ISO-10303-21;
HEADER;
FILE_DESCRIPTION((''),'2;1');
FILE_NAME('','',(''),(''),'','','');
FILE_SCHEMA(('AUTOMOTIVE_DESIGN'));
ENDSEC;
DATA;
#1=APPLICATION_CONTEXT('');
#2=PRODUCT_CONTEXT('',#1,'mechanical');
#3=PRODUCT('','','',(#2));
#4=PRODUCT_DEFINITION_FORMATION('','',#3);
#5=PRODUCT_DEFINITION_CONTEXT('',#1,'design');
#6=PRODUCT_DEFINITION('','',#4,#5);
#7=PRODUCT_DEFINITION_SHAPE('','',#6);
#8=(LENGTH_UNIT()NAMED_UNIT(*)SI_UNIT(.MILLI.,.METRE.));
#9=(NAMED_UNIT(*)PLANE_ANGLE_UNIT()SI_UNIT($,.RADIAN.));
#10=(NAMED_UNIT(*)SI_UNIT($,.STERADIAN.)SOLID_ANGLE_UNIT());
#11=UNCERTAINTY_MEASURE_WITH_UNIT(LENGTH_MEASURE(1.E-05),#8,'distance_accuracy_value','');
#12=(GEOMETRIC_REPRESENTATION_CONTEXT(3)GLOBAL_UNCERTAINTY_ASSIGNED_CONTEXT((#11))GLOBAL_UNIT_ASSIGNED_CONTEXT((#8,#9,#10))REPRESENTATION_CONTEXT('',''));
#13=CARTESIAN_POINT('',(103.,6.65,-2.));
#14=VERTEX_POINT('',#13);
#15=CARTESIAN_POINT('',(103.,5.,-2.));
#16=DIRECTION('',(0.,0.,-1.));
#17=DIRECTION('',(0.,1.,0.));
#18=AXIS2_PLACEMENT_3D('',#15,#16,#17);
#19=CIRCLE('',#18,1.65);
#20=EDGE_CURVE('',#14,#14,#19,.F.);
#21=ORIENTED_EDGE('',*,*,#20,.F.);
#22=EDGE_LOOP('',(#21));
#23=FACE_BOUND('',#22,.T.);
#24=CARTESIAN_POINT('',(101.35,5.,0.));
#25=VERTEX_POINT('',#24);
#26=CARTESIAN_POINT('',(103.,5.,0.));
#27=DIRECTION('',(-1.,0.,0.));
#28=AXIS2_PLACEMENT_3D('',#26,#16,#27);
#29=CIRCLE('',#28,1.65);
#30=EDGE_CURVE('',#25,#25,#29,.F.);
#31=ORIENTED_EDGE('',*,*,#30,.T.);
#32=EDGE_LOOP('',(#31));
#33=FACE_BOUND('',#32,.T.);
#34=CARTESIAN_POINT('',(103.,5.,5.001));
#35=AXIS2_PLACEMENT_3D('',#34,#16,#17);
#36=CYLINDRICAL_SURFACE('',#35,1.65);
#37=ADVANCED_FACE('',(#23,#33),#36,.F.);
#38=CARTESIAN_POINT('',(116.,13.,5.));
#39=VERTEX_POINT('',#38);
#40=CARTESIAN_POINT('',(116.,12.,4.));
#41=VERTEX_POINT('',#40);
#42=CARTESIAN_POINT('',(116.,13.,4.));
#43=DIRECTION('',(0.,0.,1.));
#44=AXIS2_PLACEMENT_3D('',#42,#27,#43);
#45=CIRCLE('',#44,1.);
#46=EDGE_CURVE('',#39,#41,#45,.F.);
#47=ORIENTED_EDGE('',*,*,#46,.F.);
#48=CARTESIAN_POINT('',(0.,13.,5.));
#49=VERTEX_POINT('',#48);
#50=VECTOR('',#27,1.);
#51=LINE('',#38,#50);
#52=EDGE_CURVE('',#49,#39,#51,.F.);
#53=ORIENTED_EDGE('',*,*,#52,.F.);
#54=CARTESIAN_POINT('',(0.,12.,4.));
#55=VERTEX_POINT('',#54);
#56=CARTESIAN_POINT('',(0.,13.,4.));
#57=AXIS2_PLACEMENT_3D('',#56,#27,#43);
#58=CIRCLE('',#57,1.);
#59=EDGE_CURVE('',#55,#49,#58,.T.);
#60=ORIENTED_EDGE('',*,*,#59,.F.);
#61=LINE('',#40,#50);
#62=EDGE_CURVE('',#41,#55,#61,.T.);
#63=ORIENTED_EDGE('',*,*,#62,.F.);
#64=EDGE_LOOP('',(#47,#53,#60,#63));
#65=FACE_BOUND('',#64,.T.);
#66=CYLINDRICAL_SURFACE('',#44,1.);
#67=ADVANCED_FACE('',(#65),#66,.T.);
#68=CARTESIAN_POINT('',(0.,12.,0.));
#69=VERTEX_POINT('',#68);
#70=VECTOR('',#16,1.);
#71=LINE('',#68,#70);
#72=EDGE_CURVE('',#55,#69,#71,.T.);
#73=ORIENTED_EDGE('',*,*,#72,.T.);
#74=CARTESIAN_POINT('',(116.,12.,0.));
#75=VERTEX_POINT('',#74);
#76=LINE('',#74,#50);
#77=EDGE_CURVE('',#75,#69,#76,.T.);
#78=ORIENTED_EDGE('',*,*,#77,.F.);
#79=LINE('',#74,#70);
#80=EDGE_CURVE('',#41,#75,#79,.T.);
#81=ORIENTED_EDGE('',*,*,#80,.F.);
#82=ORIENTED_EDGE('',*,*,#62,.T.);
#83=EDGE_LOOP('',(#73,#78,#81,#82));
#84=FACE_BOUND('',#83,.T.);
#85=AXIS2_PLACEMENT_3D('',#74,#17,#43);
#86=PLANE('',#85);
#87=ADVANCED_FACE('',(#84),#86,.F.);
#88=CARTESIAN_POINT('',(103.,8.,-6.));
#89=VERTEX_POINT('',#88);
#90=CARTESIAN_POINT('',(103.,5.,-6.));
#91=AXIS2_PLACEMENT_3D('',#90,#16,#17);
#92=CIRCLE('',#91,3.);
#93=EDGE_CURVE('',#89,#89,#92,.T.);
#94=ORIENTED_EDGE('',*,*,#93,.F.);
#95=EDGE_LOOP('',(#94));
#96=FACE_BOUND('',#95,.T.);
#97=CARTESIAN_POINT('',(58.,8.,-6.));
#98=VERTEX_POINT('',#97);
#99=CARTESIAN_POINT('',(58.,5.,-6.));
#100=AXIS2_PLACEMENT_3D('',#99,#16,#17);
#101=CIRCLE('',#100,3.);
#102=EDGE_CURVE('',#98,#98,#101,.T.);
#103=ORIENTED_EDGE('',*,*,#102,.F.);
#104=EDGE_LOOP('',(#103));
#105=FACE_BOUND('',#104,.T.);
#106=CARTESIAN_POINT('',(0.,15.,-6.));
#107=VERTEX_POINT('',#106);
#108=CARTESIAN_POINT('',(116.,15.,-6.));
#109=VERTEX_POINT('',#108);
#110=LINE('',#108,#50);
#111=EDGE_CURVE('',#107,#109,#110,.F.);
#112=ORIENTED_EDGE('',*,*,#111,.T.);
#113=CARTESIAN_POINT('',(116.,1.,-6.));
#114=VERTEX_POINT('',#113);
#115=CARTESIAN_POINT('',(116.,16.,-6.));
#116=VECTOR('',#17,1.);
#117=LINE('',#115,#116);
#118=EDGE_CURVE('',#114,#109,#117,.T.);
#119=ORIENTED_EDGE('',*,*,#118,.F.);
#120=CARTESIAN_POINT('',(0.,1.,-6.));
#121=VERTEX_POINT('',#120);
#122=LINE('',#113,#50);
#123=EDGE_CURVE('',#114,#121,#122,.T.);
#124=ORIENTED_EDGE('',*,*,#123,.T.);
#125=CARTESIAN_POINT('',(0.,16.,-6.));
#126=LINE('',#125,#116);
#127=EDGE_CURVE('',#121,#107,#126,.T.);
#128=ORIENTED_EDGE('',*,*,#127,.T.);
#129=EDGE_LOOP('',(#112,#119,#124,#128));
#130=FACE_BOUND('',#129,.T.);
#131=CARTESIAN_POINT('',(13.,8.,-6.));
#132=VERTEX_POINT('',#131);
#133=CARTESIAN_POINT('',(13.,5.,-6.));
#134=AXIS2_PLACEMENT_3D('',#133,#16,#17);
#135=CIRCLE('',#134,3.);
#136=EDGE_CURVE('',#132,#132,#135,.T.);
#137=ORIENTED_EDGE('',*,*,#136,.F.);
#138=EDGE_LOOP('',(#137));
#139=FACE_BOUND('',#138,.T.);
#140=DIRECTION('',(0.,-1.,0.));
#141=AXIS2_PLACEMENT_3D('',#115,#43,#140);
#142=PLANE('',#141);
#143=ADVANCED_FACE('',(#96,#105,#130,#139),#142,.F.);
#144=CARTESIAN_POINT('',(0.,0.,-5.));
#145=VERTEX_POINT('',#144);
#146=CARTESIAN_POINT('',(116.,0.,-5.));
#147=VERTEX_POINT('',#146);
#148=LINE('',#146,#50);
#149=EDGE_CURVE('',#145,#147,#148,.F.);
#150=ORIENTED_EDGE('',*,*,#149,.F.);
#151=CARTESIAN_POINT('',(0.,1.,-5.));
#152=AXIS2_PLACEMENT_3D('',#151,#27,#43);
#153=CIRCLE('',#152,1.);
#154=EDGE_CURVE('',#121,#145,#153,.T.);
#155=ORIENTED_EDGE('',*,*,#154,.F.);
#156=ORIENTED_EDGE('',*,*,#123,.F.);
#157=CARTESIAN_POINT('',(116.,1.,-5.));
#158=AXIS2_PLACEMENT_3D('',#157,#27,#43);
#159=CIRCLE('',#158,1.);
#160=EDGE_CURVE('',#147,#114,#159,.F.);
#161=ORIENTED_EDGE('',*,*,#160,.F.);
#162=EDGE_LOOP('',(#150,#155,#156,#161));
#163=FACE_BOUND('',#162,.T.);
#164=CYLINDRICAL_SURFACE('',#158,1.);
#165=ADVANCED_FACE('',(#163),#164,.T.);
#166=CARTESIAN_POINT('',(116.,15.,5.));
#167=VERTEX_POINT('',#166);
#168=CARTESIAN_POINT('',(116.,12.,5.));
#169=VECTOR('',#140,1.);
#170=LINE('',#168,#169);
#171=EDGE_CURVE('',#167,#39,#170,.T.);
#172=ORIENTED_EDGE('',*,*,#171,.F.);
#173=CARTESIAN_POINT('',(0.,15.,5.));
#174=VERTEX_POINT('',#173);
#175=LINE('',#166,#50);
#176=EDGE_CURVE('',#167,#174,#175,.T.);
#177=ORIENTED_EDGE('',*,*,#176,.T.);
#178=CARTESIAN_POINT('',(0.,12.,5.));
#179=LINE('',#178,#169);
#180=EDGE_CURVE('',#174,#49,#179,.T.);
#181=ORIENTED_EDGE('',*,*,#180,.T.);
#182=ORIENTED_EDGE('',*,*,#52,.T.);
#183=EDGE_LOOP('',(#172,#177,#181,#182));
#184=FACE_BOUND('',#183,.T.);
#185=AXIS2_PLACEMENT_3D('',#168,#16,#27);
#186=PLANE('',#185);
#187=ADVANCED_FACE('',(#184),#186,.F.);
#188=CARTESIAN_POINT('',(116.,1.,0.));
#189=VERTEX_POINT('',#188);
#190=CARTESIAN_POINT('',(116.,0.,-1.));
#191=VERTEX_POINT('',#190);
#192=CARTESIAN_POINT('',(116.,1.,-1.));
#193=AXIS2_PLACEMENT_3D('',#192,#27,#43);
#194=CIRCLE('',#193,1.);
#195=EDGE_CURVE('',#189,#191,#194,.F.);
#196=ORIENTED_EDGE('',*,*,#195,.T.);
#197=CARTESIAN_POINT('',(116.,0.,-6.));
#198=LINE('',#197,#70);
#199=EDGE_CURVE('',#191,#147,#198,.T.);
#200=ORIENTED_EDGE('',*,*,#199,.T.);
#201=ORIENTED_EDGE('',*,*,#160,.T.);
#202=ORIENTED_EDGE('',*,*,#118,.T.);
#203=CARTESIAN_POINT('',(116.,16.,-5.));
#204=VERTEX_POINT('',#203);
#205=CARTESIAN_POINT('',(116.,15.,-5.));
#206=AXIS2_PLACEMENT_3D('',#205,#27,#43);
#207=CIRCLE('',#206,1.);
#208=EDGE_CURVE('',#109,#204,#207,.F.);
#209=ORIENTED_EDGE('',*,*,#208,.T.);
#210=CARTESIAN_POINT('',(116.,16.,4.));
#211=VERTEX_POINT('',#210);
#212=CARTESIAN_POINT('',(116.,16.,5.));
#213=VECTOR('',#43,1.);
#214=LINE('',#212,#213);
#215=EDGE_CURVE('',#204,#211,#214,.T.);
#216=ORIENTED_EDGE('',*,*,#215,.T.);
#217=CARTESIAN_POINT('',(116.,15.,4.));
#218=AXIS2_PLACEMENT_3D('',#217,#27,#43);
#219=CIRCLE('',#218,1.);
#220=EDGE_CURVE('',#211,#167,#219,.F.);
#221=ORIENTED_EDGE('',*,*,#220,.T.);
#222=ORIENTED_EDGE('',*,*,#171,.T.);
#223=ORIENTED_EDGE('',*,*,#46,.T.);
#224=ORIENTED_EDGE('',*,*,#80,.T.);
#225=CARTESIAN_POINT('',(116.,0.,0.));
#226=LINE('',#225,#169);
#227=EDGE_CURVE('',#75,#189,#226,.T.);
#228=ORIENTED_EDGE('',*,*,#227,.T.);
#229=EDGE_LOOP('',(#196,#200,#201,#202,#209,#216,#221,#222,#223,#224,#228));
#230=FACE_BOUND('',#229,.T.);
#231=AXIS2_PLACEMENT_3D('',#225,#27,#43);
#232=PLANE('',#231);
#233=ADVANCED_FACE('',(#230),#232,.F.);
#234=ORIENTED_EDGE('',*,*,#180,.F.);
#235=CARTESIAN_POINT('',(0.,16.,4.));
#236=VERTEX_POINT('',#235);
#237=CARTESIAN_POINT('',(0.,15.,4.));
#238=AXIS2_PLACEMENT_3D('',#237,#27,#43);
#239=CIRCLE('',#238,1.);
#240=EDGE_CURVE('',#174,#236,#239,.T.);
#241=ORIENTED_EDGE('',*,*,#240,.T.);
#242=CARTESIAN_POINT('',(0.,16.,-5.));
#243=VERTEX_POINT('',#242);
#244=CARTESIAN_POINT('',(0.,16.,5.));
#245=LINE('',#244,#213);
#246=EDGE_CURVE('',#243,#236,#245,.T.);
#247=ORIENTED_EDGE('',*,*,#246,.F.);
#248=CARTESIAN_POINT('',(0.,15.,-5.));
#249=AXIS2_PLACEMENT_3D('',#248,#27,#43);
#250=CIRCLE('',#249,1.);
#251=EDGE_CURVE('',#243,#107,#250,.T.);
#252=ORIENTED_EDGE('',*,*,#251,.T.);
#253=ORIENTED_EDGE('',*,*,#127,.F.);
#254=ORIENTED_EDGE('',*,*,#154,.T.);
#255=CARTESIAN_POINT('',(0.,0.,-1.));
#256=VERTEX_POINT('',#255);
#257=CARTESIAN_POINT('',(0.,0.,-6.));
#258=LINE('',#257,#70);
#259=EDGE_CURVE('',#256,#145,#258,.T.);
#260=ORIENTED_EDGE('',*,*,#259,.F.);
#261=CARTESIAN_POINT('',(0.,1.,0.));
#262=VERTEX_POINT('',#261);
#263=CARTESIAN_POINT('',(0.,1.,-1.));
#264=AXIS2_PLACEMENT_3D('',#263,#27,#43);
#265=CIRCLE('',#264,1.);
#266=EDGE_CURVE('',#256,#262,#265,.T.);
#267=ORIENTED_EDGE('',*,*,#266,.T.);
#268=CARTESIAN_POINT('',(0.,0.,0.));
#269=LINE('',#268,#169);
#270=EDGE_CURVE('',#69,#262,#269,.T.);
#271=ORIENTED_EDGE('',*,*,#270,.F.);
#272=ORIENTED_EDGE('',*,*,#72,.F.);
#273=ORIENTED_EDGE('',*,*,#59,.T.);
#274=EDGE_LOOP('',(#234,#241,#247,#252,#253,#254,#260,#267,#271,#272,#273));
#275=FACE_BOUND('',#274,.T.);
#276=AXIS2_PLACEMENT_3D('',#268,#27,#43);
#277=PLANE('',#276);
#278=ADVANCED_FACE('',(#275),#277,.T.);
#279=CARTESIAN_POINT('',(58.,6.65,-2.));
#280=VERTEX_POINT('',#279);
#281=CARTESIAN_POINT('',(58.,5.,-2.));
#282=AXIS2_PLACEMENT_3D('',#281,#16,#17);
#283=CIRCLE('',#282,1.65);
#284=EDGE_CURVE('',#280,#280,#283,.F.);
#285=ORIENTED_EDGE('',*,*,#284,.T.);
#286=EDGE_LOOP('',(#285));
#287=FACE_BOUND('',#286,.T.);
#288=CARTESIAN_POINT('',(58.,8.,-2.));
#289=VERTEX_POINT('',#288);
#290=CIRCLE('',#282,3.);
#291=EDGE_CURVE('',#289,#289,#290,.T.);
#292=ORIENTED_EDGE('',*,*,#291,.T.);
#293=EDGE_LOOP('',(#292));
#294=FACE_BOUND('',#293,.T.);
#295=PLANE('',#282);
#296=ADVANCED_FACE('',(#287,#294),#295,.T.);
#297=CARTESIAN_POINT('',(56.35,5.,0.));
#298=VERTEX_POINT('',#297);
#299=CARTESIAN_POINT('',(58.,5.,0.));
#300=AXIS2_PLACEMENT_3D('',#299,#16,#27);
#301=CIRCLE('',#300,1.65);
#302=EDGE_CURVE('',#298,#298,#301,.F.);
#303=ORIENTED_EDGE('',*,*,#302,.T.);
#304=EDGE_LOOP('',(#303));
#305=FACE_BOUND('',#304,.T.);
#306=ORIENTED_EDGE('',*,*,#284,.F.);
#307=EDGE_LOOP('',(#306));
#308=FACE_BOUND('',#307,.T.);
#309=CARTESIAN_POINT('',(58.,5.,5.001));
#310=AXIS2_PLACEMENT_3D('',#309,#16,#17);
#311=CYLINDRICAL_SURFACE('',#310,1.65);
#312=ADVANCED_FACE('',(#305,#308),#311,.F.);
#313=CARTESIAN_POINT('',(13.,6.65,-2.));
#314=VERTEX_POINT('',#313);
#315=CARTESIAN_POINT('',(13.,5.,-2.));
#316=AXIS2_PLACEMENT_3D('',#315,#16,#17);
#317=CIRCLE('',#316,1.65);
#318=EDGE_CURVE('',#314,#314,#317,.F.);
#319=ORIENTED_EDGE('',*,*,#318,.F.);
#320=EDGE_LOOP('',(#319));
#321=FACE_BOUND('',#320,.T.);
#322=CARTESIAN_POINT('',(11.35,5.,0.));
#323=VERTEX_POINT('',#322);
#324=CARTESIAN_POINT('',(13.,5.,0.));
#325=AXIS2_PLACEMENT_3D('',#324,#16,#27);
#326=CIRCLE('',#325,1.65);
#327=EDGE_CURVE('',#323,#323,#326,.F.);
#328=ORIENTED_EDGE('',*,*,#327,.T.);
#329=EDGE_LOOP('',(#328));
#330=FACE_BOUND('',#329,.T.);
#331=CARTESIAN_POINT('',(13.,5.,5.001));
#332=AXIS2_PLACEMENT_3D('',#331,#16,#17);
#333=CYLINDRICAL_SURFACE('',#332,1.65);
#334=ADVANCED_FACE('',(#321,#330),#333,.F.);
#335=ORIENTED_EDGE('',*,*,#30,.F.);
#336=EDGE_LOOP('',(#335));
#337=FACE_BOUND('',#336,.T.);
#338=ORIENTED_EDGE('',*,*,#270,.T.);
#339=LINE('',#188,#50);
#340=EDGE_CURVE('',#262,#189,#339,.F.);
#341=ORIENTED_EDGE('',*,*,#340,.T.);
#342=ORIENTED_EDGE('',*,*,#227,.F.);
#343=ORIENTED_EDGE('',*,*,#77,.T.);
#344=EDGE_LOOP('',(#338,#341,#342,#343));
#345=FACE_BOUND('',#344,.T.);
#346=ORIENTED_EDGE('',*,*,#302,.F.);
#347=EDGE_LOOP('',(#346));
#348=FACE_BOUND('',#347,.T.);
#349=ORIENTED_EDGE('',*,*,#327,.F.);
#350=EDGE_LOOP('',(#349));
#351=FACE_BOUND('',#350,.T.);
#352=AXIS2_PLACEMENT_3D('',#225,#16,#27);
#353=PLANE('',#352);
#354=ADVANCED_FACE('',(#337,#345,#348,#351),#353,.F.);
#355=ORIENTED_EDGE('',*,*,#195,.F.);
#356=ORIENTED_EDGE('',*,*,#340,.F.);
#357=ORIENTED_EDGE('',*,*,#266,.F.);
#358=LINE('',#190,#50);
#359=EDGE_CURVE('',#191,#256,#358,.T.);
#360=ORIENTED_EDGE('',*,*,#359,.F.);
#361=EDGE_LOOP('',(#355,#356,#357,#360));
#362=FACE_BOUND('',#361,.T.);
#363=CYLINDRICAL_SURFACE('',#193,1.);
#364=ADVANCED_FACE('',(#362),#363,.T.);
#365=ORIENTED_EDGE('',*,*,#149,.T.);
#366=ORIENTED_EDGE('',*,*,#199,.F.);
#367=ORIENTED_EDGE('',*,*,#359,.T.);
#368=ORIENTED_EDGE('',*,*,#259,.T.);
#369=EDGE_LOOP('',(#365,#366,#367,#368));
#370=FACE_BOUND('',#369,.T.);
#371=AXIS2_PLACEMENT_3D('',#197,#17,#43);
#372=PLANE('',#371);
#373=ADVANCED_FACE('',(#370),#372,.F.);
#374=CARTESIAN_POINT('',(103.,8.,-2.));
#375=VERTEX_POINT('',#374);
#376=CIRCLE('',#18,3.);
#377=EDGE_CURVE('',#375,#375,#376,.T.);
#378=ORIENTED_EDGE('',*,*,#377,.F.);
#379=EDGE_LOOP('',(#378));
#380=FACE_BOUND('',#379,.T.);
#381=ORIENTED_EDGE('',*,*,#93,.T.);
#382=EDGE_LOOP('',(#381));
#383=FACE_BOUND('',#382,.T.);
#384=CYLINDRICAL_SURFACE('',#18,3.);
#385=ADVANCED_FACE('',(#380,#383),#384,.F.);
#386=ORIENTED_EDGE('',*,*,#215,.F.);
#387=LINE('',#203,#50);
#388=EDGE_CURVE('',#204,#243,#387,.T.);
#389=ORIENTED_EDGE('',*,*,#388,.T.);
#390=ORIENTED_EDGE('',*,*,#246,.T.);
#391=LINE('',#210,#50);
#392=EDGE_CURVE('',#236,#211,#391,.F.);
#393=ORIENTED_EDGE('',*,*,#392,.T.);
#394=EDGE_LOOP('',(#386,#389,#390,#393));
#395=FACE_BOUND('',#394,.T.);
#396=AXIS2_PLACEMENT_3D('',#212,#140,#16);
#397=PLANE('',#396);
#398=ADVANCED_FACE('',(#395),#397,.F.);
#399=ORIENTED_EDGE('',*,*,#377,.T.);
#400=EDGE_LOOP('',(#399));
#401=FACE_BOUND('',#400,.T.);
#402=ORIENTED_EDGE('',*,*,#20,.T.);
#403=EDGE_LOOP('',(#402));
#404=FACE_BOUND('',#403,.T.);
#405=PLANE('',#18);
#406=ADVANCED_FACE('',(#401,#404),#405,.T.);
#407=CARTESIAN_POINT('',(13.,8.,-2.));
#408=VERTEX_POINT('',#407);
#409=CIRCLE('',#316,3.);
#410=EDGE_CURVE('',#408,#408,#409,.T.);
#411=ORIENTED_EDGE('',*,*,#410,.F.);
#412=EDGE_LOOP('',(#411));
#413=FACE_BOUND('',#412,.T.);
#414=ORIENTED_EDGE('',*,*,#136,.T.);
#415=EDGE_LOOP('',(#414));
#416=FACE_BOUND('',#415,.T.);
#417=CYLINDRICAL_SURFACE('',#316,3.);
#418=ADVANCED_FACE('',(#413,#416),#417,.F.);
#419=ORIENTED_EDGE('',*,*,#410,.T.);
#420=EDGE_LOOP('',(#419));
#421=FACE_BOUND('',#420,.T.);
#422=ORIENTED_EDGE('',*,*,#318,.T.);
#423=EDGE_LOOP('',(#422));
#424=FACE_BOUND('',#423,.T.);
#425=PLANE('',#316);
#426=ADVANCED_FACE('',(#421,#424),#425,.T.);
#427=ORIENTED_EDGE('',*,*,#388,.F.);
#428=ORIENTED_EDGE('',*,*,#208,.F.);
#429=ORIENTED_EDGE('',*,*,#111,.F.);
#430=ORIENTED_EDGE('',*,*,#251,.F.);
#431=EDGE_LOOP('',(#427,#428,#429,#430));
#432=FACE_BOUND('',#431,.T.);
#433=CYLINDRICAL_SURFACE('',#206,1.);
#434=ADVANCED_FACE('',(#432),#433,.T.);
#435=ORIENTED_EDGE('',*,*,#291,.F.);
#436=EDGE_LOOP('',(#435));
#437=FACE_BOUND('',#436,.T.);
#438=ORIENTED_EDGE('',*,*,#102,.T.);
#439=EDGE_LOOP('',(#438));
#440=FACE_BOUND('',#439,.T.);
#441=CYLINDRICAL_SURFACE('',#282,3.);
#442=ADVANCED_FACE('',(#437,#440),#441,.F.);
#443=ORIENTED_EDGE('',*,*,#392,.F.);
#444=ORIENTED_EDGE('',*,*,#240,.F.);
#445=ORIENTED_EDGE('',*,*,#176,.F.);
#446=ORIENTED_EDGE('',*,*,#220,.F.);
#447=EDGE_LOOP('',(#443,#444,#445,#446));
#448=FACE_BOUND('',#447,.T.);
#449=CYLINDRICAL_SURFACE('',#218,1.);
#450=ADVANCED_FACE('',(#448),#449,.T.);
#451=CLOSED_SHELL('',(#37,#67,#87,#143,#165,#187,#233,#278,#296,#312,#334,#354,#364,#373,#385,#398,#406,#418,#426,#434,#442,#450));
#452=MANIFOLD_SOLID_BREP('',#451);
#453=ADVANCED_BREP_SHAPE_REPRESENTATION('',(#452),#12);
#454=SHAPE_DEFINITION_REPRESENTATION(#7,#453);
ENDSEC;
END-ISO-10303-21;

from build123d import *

# Parameters (mm, degrees)
BOSS_EXTRUDE1_DEPTH = 116
CUT_EXTRUDE1_REACH  = 13
SKETCH3_R           = 1.65
SKETCH4_R           = 3
CUT_EXTRUDE2_DEPTH  = 4
FILLET1_R           = 1


with BuildPart() as part:
    # Sketch2 → Boss-Extrude1 (new body)
    with BuildSketch(Plane(origin=(0, 0, 0), x_dir=(0, 0, -1), z_dir=(1, 0, 0))):
        Polygon((0, 0), (0, 12), (-5, 12), (-5, 16), (6, 16), (6, 0), align=None)
    extrude(amount=BOSS_EXTRUDE1_DEPTH)

    # Sketch3 → Cut-Extrude1 (cut, up to next)
    with BuildSketch(Plane(origin=(0, 0, -6), x_dir=(-1, 0, 0), z_dir=(0, 0, -1)), mode=Mode.PRIVATE) as cut_extrude1_sk1:
        with Locations((-103, 5)):
            Circle(SKETCH3_R)
    cut_extrude1_tool1 = extrude(cut_extrude1_sk1.sketch, amount=-CUT_EXTRUDE1_REACH, mode=Mode.PRIVATE) & part.part
    add(cut_extrude1_tool1.solids().sort_by_distance((103, 5, -6))[0], mode=Mode.SUBTRACT)
    # Sketch3 → Cut-Extrude1 (cut, up to next)
    with BuildSketch(Plane(origin=(0, 0, -6), x_dir=(-1, 0, 0), z_dir=(0, 0, -1)), mode=Mode.PRIVATE) as cut_extrude1_sk2:
        with Locations((-13, 5)):
            Circle(SKETCH3_R)
    cut_extrude1_tool2 = extrude(cut_extrude1_sk2.sketch, amount=-CUT_EXTRUDE1_REACH, mode=Mode.PRIVATE) & part.part
    add(cut_extrude1_tool2.solids().sort_by_distance((13, 5, -6))[0], mode=Mode.SUBTRACT)
    # Sketch3 → Cut-Extrude1 (cut, up to next)
    with BuildSketch(Plane(origin=(0, 0, -6), x_dir=(-1, 0, 0), z_dir=(0, 0, -1)), mode=Mode.PRIVATE) as cut_extrude1_sk3:
        with Locations((-58, 5)):
            Circle(SKETCH3_R)
    cut_extrude1_tool3 = extrude(cut_extrude1_sk3.sketch, amount=-CUT_EXTRUDE1_REACH, mode=Mode.PRIVATE) & part.part
    add(cut_extrude1_tool3.solids().sort_by_distance((58, 5, -6))[0], mode=Mode.SUBTRACT)

    # Sketch4 → Cut-Extrude2 (cut)
    with BuildSketch(Plane(origin=(0, 0, -6), x_dir=(-1, 0, 0), z_dir=(0, 0, -1))):
        with Locations((-103, 5)):
            Circle(SKETCH4_R)
        with Locations((-58, 5)):
            Circle(SKETCH4_R)
        with Locations((-13, 5)):
            Circle(SKETCH4_R)
    extrude(amount=-CUT_EXTRUDE2_DEPTH, mode=Mode.SUBTRACT)

    # Fillet1
    fillet1_edges = [part.edges().sort_by_distance(p)[0] for p in [
        (58, 0, 0),
        (58, 12, 5),
        (58, 16, 5),
        (58, 16, -6),
        (58, 0, -6),
    ]]
    fillet(fillet1_edges, radius=FILLET1_R)


solid = part.part
